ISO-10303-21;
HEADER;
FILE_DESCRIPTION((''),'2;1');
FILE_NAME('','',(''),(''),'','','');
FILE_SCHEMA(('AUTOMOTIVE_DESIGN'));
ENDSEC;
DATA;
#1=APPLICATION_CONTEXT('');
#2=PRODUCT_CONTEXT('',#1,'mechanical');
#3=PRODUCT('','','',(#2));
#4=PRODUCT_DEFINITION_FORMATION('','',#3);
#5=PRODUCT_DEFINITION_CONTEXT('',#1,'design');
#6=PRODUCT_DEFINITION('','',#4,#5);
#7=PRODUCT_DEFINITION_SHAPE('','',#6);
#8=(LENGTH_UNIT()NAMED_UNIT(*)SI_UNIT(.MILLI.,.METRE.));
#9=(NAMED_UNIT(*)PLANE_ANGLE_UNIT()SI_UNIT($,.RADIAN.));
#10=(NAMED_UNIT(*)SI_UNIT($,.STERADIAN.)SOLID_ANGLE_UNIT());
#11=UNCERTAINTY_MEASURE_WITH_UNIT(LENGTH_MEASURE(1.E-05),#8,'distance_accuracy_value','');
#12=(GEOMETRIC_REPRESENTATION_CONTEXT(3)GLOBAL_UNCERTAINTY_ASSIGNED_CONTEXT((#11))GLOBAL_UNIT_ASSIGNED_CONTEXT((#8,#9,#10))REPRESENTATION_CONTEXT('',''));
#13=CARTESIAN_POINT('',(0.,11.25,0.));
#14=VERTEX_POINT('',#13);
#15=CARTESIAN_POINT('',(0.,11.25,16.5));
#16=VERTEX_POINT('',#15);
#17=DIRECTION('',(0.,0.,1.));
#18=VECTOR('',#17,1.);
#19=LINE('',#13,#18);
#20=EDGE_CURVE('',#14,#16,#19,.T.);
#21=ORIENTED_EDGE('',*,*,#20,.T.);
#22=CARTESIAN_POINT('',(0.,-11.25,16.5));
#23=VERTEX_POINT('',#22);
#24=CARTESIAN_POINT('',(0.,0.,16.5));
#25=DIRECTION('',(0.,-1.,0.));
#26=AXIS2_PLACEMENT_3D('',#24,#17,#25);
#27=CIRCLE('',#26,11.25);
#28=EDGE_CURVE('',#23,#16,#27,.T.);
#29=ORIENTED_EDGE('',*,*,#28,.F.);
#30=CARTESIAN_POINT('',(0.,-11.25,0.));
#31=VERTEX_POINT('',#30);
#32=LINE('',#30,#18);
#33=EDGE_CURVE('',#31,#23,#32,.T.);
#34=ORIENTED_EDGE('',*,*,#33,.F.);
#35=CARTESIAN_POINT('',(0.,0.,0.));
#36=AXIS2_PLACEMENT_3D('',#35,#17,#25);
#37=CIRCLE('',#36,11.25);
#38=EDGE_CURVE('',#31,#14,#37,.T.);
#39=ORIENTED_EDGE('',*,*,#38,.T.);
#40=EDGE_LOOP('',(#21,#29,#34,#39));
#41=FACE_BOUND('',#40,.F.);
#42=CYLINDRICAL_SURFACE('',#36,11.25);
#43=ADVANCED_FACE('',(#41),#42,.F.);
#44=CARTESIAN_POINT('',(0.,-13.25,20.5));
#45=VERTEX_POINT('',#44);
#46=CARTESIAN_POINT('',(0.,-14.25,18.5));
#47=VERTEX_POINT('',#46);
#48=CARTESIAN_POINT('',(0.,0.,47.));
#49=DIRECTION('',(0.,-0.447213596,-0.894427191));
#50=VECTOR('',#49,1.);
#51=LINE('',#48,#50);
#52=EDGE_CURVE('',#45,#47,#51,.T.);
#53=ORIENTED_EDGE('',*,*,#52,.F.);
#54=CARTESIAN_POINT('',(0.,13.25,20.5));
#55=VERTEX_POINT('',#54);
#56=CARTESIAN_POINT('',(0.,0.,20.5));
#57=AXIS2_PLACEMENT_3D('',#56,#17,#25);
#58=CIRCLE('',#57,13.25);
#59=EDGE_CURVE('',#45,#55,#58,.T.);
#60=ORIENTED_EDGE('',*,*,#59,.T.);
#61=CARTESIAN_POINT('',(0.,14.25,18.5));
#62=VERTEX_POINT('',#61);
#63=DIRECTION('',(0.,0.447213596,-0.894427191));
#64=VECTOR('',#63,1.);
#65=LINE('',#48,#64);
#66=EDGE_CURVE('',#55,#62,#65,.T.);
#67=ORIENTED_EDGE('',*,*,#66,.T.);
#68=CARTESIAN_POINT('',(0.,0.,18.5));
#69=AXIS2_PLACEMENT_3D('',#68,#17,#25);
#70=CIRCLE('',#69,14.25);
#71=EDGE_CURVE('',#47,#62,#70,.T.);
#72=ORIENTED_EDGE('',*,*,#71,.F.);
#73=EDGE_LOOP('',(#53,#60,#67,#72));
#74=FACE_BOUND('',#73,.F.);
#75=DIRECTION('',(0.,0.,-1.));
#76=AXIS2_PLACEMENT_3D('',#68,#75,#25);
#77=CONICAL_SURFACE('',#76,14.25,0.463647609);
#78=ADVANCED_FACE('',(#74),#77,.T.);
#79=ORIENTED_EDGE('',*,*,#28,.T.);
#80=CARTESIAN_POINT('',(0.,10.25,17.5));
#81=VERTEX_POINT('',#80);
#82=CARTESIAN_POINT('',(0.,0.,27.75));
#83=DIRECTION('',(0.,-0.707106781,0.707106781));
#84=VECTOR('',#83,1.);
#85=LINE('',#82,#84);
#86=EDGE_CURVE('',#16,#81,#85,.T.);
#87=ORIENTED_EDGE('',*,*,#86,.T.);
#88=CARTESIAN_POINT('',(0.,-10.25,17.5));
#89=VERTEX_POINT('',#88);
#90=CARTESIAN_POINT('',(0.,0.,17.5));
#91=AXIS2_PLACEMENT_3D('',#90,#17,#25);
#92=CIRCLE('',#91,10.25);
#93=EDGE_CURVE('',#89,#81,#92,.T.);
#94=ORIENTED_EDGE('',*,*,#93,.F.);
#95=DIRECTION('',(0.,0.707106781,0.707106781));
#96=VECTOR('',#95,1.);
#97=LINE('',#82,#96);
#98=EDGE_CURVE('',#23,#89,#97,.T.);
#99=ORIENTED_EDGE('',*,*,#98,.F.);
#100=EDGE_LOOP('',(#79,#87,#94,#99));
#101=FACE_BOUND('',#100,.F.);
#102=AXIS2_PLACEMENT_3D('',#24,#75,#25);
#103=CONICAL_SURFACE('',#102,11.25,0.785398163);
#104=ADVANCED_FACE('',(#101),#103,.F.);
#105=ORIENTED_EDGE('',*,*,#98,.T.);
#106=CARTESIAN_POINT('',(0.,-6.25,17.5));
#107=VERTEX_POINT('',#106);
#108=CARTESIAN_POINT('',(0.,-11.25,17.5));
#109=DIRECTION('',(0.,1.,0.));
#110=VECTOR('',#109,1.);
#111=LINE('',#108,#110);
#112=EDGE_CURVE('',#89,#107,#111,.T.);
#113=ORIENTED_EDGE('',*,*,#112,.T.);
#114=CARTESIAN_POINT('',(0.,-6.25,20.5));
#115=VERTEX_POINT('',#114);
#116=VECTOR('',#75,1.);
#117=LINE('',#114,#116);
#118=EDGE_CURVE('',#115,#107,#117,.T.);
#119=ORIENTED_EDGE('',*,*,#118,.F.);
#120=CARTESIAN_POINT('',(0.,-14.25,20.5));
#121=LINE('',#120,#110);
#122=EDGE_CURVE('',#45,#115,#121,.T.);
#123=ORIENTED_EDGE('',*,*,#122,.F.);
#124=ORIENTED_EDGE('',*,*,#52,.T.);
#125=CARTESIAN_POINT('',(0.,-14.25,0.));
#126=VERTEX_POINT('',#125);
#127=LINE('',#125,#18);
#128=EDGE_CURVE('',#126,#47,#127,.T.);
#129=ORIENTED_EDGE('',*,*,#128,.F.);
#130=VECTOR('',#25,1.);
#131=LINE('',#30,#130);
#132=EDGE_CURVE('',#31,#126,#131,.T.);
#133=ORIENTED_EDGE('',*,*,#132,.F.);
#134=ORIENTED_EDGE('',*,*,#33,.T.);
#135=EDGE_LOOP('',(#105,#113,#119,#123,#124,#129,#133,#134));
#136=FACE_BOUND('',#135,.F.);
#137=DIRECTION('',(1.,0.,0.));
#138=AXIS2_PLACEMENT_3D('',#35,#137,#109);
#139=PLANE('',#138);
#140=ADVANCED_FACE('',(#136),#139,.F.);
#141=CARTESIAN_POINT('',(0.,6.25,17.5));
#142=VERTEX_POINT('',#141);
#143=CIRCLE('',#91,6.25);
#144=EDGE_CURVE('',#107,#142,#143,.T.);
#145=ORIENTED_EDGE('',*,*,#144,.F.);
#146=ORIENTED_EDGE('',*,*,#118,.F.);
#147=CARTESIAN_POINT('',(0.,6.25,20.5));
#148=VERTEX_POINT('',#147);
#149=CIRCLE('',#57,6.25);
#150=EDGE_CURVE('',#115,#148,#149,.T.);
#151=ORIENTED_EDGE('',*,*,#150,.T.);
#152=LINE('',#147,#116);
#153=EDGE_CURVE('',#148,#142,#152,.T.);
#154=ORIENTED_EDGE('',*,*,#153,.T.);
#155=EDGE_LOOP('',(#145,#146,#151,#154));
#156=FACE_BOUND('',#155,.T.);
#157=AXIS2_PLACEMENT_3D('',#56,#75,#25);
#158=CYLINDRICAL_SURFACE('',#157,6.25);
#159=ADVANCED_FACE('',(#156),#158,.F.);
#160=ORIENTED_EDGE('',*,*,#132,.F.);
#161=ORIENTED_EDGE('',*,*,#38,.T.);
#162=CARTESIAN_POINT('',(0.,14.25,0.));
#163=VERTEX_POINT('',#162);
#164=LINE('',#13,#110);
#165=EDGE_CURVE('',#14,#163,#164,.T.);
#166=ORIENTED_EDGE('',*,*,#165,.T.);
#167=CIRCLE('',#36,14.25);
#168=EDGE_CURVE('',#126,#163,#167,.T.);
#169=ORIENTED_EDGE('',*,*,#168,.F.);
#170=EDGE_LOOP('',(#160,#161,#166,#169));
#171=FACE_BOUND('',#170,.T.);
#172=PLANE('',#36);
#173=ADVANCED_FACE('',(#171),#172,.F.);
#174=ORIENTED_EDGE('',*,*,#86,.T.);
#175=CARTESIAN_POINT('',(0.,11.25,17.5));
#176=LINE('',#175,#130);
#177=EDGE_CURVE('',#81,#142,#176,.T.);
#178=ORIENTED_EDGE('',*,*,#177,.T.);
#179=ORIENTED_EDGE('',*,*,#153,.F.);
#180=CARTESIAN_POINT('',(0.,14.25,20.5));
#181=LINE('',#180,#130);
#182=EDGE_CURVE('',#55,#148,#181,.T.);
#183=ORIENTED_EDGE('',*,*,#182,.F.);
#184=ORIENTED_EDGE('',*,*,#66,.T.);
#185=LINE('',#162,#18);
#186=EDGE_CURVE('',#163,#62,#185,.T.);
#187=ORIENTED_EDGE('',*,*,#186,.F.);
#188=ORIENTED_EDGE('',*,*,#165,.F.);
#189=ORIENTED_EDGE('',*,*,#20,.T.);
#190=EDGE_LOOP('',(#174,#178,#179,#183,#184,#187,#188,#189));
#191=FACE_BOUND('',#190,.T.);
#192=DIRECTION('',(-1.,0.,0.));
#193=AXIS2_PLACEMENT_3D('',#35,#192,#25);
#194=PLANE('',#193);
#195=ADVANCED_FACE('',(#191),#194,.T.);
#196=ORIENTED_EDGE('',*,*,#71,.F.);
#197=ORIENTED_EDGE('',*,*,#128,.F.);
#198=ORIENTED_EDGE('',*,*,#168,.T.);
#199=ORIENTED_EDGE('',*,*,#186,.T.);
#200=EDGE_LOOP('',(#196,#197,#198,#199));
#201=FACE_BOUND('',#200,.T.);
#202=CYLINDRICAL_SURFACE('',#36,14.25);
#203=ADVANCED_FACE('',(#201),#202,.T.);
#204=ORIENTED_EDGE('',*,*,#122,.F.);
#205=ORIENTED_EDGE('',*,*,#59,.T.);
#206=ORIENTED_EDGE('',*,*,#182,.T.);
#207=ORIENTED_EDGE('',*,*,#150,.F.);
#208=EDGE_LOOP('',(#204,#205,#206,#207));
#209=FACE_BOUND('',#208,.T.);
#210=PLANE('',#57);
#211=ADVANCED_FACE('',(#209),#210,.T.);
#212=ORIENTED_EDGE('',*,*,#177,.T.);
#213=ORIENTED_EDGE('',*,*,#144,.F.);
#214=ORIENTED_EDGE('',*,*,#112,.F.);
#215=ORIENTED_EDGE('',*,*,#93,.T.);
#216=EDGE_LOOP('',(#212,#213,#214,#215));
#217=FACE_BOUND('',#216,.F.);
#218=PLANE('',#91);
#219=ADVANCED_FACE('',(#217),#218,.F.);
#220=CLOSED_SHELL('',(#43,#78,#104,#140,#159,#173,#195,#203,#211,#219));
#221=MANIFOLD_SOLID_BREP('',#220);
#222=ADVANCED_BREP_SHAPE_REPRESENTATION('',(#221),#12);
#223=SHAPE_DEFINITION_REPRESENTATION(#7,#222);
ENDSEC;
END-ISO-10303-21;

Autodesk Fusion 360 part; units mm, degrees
sketch "Sketch1" plane through (0, 0, 0) normal (1, 0, 0) x (0, 1, 0)
  line L0 (0, 0) -> (-26.3359, 0) construction
  line L1 (-11.25, 0) -> (-11.25, 17.5)
  line L2 (-11.25, 17.5) -> (-6.25, 17.5)
  line L3 (-11.25, 0) -> (-14.25, 0)
  line L4 (-14.25, 0) -> (-14.25, 20.5)
  line L5 (-14.25, 20.5) -> (-6.25, 20.5)
  line L6 (-6.25, 20.5) -> (-6.25, 17.5)
  line L7 (0, 0) -> (0, 80.4746)
  dimension "d1" = 17.5
  dimension "d3" = 22.5
  dimension "d4" = 12.5
  dimension "d5" = 3
  dimension "d6" = 3
revolve "Revolve1" add sketch "Sketch1" angle 180 about axis through (0, 0, 0) along (0, 0, 1)
chamfer "Chamfer1" distance 1 distance2 2 1 edges at (14.25, 0, 20.5) measured on face at (2.7221, 11.2267, 20.5)
chamfer "Chamfer2" distance 1 distance2 1 1 edges at (11.25, 0, 17.5) measured on face at (6.7928, 8.9677, 5.8333)
equation "d6 = d5"
